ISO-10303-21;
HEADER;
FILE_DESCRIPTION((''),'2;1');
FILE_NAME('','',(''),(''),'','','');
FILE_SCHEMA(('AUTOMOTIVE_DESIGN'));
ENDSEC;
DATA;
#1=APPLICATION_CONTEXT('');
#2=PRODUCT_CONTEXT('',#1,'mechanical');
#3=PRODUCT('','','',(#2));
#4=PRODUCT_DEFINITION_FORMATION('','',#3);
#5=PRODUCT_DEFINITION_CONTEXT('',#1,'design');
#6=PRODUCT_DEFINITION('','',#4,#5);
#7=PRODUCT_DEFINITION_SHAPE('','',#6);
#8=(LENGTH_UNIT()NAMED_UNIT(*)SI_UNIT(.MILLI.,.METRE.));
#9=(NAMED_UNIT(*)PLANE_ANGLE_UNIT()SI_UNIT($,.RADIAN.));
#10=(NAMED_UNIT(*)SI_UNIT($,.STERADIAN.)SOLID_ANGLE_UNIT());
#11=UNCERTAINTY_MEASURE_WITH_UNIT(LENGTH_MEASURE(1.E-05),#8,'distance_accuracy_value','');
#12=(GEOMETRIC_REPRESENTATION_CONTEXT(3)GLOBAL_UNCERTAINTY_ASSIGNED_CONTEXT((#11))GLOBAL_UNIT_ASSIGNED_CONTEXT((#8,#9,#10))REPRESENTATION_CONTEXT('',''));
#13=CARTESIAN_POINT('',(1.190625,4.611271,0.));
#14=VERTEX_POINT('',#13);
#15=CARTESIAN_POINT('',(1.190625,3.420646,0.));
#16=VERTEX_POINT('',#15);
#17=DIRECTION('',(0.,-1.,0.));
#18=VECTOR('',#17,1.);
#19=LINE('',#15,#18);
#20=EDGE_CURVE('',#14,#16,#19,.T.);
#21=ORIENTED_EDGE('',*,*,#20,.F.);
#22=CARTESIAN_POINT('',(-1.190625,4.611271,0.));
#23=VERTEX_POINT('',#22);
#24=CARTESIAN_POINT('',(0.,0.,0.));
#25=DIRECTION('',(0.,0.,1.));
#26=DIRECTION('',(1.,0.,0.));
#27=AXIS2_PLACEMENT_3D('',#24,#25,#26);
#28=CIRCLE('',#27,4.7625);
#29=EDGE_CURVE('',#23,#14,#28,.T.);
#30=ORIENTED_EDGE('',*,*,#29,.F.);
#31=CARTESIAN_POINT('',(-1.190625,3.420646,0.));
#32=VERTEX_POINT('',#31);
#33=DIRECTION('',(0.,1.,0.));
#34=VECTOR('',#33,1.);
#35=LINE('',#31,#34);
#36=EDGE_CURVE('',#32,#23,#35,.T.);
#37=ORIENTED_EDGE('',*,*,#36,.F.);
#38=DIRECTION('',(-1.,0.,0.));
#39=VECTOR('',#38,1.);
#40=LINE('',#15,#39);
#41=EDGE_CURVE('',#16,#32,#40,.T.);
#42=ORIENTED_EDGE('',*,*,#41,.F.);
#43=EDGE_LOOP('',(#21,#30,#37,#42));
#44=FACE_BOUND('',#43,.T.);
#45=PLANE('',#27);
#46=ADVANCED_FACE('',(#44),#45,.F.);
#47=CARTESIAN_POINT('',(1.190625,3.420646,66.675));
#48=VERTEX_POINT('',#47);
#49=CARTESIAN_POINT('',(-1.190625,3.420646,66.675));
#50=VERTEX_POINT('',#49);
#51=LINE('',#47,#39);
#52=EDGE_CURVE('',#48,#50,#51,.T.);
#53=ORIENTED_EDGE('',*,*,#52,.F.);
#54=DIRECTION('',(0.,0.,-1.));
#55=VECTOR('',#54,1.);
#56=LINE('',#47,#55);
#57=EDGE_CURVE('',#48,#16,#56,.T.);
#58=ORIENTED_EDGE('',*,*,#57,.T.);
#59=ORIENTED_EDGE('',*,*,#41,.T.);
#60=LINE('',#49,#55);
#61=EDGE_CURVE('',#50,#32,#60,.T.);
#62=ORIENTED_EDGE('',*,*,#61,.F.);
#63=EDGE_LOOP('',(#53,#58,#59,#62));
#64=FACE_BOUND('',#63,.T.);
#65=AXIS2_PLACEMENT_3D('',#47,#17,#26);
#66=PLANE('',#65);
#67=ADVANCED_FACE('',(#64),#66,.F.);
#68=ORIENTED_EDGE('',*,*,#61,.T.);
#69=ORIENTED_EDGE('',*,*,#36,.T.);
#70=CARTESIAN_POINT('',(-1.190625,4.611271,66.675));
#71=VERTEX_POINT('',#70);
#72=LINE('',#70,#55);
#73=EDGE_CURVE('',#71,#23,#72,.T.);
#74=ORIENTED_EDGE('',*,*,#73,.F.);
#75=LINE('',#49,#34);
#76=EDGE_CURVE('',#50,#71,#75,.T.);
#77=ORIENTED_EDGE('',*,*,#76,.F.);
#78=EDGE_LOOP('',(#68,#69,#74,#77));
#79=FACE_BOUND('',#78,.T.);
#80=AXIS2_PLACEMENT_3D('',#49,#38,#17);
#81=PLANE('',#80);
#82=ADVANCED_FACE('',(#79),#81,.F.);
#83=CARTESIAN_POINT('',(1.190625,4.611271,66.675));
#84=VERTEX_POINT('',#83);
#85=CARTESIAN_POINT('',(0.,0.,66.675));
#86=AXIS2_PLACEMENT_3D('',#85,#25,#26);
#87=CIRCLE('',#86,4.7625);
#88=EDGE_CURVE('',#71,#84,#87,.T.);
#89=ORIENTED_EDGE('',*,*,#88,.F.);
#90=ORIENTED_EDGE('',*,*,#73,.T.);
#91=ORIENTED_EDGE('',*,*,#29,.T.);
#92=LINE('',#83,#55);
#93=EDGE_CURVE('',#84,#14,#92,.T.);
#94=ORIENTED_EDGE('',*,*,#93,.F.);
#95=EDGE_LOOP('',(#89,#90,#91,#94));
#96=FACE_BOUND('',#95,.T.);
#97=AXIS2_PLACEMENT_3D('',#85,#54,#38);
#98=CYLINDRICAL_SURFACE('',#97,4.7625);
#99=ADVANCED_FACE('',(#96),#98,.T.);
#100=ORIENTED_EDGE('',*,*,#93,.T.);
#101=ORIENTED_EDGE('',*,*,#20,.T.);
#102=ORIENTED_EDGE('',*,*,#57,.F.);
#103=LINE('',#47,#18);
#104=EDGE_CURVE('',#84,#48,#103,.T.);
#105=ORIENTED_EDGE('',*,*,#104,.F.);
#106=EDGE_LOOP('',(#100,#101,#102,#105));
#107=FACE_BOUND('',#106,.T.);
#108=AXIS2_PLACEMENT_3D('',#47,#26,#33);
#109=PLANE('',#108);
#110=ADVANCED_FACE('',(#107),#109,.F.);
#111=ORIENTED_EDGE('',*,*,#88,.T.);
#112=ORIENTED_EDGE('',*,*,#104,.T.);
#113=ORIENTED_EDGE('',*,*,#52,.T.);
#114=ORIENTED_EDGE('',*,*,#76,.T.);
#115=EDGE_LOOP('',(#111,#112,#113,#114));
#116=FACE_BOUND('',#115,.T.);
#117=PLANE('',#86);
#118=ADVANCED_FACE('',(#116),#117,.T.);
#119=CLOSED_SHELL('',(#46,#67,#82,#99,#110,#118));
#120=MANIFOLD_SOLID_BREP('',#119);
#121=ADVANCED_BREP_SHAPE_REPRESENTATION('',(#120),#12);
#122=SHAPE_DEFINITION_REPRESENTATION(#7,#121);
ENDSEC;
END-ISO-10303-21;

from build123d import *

# Parameters (mm, degrees)
BOSS_EXTRUDE1_DEPTH = 66.675


with BuildPart() as part:
    # Sketch1 → Boss-Extrude1 (new body)
    with BuildSketch(Plane.XY):
        with BuildLine():
            Line((1.190625, 3.420645797), (-1.190625, 3.420645797))
            Line((-1.190625, 3.420645797), (-1.190625, 4.611270797))
            ThreePointArc((-1.190625, 4.611270797), (0, -4.7625), (1.190625, 4.611270797))
            Line((1.190625, 4.611270797), (1.190625, 3.420645797))
        make_face()
    extrude(amount=BOSS_EXTRUDE1_DEPTH)


solid = part.part
